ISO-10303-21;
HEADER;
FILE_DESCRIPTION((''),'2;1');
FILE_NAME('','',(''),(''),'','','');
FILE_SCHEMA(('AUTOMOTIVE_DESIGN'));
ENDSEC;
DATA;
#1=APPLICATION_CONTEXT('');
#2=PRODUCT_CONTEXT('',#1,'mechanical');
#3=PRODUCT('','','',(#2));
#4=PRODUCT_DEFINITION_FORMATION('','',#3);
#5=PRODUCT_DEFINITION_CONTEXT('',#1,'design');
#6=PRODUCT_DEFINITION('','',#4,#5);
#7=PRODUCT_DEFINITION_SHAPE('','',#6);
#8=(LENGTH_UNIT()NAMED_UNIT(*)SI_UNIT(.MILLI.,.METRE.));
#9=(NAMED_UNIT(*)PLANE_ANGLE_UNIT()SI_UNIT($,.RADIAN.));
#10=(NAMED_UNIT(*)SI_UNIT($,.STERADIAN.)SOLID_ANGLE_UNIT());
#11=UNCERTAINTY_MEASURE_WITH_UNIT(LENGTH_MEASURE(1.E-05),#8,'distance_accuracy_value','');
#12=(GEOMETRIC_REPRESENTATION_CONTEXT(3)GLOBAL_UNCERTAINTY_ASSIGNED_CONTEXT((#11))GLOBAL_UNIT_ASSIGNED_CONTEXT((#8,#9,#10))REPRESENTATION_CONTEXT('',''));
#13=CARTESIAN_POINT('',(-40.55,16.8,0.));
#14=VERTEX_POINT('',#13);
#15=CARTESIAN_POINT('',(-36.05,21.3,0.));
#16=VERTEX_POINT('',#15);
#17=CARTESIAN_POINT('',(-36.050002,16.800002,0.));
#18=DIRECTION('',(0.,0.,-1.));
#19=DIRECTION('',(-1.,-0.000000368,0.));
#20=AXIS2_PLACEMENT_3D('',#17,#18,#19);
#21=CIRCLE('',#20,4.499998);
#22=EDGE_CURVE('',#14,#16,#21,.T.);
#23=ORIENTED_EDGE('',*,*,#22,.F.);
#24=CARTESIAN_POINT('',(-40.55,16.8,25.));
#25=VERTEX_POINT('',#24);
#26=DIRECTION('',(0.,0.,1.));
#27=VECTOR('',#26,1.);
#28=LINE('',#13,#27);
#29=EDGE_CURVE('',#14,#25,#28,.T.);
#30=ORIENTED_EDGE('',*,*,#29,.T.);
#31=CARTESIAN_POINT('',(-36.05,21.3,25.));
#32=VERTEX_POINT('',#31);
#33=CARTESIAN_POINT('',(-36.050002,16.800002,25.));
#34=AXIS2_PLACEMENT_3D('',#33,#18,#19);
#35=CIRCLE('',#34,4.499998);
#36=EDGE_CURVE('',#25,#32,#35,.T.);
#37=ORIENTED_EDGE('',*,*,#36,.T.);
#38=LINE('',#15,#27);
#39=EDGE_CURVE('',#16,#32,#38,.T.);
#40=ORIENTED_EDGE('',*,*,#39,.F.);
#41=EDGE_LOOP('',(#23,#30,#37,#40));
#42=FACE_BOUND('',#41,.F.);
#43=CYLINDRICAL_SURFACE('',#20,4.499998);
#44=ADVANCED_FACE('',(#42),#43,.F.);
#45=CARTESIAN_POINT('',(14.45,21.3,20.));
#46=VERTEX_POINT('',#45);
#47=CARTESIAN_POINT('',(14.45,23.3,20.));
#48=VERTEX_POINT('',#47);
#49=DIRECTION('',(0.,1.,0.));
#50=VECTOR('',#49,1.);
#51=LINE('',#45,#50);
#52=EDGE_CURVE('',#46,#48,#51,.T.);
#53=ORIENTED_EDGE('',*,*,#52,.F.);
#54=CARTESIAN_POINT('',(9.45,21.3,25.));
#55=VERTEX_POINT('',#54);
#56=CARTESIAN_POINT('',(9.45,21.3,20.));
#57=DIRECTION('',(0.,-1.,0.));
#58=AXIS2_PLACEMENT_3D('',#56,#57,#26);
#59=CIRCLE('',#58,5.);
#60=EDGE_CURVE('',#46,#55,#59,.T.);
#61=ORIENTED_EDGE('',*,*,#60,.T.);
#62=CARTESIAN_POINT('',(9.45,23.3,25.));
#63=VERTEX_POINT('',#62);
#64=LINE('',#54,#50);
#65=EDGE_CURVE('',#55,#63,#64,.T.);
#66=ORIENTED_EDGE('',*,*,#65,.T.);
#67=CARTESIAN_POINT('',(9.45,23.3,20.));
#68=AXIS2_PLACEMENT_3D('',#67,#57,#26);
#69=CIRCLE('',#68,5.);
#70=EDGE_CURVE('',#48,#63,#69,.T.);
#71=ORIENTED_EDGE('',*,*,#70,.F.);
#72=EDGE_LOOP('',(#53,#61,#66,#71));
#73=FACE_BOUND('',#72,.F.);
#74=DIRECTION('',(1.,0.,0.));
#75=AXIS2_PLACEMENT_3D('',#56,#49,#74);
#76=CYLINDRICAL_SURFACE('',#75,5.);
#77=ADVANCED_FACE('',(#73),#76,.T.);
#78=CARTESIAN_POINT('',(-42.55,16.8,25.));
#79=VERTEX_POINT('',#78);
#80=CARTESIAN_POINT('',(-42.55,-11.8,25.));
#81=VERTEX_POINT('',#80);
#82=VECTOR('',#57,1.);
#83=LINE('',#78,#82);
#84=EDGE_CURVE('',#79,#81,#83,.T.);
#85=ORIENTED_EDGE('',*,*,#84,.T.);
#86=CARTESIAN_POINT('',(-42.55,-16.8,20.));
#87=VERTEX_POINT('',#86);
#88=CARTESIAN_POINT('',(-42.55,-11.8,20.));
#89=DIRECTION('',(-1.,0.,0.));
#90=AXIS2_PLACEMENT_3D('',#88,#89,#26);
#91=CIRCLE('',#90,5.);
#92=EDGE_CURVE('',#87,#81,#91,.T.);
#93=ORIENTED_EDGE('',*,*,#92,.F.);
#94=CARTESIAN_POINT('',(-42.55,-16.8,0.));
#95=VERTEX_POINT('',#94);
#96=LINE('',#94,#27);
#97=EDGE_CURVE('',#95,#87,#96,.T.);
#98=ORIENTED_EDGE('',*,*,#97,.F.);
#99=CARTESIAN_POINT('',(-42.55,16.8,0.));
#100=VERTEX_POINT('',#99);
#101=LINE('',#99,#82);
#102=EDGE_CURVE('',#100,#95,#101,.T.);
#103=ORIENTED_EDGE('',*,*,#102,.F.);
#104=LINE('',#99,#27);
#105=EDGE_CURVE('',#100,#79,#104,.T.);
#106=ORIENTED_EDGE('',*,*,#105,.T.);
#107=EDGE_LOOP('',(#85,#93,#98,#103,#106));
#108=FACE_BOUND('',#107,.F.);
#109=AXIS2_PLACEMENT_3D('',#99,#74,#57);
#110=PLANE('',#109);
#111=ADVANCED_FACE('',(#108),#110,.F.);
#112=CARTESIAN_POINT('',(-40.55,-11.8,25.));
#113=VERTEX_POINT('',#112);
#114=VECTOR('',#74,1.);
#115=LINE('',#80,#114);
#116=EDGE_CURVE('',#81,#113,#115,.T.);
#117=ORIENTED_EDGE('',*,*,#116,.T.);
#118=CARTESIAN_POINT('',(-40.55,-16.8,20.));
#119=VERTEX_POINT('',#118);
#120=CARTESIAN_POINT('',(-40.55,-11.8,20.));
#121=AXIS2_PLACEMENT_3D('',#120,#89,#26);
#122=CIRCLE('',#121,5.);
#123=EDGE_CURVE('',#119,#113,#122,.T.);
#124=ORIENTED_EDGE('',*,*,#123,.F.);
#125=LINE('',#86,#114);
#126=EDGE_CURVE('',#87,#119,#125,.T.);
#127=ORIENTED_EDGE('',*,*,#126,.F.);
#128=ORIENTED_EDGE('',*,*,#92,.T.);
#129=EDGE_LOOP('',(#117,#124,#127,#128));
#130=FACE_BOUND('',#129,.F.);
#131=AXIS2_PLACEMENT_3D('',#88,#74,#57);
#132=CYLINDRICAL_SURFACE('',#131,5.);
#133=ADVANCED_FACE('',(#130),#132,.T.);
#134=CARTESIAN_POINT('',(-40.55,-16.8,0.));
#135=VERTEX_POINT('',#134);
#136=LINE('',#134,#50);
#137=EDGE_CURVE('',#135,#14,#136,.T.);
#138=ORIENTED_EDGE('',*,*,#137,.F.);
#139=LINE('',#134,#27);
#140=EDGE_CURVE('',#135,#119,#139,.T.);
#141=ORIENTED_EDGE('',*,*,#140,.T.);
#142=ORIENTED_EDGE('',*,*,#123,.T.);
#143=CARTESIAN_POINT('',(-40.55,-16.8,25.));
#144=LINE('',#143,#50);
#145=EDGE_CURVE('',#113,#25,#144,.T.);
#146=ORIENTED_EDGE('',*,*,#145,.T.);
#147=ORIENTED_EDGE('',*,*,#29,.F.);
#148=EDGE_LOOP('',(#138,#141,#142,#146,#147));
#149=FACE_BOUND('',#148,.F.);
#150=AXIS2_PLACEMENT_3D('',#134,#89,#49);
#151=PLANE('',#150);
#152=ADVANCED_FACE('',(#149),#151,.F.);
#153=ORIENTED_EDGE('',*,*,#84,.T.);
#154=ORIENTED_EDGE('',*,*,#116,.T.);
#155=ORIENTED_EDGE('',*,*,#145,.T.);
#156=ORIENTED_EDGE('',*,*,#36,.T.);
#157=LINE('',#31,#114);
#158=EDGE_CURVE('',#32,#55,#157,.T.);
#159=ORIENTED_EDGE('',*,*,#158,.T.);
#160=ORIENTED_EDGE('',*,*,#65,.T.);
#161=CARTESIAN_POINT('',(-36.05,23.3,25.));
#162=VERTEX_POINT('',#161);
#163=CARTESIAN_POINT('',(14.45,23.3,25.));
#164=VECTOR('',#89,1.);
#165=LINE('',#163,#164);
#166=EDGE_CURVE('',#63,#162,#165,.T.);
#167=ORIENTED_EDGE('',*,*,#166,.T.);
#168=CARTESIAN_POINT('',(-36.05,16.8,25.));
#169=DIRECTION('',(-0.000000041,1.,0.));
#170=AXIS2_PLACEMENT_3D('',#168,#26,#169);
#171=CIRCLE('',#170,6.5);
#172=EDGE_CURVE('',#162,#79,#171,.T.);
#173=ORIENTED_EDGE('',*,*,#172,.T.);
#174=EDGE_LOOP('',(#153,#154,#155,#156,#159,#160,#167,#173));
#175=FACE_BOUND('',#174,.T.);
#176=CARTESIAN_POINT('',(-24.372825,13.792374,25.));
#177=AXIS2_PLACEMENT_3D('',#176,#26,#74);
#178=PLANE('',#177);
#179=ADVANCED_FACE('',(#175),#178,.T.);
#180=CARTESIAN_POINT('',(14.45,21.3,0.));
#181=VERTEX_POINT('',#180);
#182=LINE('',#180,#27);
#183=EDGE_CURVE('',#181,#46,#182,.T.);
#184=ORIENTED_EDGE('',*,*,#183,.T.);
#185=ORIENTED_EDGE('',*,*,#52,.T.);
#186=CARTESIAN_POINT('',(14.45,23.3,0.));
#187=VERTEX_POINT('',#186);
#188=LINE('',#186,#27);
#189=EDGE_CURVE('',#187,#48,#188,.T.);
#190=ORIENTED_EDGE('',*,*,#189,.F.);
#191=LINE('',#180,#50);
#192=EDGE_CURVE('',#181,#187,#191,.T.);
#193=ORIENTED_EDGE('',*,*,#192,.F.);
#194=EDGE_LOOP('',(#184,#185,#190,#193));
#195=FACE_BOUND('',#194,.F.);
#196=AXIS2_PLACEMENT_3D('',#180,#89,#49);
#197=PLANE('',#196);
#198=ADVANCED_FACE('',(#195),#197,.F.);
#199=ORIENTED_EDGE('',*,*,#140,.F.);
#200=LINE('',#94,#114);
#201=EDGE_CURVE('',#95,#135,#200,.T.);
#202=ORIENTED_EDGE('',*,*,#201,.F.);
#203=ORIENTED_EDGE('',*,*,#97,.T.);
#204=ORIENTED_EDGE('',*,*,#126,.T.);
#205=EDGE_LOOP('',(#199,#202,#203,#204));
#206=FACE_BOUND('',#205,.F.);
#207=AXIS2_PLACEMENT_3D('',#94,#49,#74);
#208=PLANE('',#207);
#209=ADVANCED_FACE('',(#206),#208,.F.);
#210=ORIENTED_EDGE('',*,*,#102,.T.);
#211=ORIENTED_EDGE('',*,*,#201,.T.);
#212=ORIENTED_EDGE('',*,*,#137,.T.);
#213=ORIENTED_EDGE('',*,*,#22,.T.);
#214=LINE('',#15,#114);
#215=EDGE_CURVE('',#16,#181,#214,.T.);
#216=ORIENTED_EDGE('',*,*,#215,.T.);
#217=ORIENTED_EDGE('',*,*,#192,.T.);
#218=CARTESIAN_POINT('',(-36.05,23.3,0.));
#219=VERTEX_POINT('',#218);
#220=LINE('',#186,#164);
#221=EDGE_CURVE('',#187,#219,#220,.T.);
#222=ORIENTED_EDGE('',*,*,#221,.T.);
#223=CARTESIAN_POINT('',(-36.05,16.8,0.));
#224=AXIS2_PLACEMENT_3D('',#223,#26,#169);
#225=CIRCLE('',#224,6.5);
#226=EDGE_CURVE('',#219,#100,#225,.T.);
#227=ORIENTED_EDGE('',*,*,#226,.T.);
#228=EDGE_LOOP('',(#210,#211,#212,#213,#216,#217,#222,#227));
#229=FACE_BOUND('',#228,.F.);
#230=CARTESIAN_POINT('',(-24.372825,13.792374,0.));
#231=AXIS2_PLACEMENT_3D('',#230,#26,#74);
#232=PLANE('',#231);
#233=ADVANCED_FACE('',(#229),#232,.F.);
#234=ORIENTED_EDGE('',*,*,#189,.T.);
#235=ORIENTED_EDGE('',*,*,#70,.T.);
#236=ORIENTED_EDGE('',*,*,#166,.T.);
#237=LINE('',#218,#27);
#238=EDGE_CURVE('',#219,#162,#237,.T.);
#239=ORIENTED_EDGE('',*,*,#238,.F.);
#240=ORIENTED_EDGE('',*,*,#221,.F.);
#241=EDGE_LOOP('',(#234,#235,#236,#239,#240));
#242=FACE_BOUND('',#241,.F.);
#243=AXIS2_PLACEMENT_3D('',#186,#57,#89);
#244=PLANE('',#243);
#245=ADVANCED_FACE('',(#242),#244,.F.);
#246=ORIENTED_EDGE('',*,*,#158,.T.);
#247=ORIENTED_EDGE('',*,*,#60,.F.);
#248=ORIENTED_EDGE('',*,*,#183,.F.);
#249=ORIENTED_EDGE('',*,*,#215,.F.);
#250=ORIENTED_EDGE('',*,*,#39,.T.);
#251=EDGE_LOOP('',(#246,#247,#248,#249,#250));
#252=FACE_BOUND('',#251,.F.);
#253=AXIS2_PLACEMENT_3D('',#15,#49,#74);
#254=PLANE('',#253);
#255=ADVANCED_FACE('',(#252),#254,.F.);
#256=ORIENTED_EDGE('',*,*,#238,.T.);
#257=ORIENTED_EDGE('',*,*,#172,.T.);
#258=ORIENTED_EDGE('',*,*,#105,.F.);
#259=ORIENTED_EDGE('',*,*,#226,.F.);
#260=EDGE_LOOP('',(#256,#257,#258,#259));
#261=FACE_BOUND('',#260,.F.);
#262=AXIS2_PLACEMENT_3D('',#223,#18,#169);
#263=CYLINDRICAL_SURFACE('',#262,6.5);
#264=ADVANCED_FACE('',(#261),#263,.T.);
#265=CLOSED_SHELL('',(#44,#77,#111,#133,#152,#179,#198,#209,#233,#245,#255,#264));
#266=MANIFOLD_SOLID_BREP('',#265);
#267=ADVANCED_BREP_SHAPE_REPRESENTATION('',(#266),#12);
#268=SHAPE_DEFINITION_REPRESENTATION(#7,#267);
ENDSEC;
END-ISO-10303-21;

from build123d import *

# Parameters (mm, degrees)
F1_DEPTH = 25
F2_R     = 5


with BuildPart() as f1:
    # F0 (on Top) → F1 (new body)
    with BuildSketch(Plane.XY):
        with BuildLine():
            Line((-36.05, 21.3), (14.45, 21.3))
            Line((14.45, 21.3), (14.45, 23.3))
            Line((14.45, 23.3), (-36.05, 23.3))
            ThreePointArc((-36.05, 23.3), (-40.646194, 21.396194), (-42.55, 16.8))
            Line((-42.55, 16.8), (-42.55, -16.8))
            Line((-42.55, -16.8), (-40.55, -16.8))
            Line((-40.55, -16.8), (-40.55, 16.8))
            ThreePointArc((-40.55, 16.8), (-39.231981, 19.981981), (-36.05, 21.3))
        make_face()
    extrude(amount=F1_DEPTH)

    # F2
    f2_edges = [f1.edges().sort_by_distance(p)[0] for p in [
        (-41.55, -16.8, 25),
        (14.45, 22.3, 25),
    ]]
    fillet(f2_edges, radius=F2_R)


solid = f1.part
